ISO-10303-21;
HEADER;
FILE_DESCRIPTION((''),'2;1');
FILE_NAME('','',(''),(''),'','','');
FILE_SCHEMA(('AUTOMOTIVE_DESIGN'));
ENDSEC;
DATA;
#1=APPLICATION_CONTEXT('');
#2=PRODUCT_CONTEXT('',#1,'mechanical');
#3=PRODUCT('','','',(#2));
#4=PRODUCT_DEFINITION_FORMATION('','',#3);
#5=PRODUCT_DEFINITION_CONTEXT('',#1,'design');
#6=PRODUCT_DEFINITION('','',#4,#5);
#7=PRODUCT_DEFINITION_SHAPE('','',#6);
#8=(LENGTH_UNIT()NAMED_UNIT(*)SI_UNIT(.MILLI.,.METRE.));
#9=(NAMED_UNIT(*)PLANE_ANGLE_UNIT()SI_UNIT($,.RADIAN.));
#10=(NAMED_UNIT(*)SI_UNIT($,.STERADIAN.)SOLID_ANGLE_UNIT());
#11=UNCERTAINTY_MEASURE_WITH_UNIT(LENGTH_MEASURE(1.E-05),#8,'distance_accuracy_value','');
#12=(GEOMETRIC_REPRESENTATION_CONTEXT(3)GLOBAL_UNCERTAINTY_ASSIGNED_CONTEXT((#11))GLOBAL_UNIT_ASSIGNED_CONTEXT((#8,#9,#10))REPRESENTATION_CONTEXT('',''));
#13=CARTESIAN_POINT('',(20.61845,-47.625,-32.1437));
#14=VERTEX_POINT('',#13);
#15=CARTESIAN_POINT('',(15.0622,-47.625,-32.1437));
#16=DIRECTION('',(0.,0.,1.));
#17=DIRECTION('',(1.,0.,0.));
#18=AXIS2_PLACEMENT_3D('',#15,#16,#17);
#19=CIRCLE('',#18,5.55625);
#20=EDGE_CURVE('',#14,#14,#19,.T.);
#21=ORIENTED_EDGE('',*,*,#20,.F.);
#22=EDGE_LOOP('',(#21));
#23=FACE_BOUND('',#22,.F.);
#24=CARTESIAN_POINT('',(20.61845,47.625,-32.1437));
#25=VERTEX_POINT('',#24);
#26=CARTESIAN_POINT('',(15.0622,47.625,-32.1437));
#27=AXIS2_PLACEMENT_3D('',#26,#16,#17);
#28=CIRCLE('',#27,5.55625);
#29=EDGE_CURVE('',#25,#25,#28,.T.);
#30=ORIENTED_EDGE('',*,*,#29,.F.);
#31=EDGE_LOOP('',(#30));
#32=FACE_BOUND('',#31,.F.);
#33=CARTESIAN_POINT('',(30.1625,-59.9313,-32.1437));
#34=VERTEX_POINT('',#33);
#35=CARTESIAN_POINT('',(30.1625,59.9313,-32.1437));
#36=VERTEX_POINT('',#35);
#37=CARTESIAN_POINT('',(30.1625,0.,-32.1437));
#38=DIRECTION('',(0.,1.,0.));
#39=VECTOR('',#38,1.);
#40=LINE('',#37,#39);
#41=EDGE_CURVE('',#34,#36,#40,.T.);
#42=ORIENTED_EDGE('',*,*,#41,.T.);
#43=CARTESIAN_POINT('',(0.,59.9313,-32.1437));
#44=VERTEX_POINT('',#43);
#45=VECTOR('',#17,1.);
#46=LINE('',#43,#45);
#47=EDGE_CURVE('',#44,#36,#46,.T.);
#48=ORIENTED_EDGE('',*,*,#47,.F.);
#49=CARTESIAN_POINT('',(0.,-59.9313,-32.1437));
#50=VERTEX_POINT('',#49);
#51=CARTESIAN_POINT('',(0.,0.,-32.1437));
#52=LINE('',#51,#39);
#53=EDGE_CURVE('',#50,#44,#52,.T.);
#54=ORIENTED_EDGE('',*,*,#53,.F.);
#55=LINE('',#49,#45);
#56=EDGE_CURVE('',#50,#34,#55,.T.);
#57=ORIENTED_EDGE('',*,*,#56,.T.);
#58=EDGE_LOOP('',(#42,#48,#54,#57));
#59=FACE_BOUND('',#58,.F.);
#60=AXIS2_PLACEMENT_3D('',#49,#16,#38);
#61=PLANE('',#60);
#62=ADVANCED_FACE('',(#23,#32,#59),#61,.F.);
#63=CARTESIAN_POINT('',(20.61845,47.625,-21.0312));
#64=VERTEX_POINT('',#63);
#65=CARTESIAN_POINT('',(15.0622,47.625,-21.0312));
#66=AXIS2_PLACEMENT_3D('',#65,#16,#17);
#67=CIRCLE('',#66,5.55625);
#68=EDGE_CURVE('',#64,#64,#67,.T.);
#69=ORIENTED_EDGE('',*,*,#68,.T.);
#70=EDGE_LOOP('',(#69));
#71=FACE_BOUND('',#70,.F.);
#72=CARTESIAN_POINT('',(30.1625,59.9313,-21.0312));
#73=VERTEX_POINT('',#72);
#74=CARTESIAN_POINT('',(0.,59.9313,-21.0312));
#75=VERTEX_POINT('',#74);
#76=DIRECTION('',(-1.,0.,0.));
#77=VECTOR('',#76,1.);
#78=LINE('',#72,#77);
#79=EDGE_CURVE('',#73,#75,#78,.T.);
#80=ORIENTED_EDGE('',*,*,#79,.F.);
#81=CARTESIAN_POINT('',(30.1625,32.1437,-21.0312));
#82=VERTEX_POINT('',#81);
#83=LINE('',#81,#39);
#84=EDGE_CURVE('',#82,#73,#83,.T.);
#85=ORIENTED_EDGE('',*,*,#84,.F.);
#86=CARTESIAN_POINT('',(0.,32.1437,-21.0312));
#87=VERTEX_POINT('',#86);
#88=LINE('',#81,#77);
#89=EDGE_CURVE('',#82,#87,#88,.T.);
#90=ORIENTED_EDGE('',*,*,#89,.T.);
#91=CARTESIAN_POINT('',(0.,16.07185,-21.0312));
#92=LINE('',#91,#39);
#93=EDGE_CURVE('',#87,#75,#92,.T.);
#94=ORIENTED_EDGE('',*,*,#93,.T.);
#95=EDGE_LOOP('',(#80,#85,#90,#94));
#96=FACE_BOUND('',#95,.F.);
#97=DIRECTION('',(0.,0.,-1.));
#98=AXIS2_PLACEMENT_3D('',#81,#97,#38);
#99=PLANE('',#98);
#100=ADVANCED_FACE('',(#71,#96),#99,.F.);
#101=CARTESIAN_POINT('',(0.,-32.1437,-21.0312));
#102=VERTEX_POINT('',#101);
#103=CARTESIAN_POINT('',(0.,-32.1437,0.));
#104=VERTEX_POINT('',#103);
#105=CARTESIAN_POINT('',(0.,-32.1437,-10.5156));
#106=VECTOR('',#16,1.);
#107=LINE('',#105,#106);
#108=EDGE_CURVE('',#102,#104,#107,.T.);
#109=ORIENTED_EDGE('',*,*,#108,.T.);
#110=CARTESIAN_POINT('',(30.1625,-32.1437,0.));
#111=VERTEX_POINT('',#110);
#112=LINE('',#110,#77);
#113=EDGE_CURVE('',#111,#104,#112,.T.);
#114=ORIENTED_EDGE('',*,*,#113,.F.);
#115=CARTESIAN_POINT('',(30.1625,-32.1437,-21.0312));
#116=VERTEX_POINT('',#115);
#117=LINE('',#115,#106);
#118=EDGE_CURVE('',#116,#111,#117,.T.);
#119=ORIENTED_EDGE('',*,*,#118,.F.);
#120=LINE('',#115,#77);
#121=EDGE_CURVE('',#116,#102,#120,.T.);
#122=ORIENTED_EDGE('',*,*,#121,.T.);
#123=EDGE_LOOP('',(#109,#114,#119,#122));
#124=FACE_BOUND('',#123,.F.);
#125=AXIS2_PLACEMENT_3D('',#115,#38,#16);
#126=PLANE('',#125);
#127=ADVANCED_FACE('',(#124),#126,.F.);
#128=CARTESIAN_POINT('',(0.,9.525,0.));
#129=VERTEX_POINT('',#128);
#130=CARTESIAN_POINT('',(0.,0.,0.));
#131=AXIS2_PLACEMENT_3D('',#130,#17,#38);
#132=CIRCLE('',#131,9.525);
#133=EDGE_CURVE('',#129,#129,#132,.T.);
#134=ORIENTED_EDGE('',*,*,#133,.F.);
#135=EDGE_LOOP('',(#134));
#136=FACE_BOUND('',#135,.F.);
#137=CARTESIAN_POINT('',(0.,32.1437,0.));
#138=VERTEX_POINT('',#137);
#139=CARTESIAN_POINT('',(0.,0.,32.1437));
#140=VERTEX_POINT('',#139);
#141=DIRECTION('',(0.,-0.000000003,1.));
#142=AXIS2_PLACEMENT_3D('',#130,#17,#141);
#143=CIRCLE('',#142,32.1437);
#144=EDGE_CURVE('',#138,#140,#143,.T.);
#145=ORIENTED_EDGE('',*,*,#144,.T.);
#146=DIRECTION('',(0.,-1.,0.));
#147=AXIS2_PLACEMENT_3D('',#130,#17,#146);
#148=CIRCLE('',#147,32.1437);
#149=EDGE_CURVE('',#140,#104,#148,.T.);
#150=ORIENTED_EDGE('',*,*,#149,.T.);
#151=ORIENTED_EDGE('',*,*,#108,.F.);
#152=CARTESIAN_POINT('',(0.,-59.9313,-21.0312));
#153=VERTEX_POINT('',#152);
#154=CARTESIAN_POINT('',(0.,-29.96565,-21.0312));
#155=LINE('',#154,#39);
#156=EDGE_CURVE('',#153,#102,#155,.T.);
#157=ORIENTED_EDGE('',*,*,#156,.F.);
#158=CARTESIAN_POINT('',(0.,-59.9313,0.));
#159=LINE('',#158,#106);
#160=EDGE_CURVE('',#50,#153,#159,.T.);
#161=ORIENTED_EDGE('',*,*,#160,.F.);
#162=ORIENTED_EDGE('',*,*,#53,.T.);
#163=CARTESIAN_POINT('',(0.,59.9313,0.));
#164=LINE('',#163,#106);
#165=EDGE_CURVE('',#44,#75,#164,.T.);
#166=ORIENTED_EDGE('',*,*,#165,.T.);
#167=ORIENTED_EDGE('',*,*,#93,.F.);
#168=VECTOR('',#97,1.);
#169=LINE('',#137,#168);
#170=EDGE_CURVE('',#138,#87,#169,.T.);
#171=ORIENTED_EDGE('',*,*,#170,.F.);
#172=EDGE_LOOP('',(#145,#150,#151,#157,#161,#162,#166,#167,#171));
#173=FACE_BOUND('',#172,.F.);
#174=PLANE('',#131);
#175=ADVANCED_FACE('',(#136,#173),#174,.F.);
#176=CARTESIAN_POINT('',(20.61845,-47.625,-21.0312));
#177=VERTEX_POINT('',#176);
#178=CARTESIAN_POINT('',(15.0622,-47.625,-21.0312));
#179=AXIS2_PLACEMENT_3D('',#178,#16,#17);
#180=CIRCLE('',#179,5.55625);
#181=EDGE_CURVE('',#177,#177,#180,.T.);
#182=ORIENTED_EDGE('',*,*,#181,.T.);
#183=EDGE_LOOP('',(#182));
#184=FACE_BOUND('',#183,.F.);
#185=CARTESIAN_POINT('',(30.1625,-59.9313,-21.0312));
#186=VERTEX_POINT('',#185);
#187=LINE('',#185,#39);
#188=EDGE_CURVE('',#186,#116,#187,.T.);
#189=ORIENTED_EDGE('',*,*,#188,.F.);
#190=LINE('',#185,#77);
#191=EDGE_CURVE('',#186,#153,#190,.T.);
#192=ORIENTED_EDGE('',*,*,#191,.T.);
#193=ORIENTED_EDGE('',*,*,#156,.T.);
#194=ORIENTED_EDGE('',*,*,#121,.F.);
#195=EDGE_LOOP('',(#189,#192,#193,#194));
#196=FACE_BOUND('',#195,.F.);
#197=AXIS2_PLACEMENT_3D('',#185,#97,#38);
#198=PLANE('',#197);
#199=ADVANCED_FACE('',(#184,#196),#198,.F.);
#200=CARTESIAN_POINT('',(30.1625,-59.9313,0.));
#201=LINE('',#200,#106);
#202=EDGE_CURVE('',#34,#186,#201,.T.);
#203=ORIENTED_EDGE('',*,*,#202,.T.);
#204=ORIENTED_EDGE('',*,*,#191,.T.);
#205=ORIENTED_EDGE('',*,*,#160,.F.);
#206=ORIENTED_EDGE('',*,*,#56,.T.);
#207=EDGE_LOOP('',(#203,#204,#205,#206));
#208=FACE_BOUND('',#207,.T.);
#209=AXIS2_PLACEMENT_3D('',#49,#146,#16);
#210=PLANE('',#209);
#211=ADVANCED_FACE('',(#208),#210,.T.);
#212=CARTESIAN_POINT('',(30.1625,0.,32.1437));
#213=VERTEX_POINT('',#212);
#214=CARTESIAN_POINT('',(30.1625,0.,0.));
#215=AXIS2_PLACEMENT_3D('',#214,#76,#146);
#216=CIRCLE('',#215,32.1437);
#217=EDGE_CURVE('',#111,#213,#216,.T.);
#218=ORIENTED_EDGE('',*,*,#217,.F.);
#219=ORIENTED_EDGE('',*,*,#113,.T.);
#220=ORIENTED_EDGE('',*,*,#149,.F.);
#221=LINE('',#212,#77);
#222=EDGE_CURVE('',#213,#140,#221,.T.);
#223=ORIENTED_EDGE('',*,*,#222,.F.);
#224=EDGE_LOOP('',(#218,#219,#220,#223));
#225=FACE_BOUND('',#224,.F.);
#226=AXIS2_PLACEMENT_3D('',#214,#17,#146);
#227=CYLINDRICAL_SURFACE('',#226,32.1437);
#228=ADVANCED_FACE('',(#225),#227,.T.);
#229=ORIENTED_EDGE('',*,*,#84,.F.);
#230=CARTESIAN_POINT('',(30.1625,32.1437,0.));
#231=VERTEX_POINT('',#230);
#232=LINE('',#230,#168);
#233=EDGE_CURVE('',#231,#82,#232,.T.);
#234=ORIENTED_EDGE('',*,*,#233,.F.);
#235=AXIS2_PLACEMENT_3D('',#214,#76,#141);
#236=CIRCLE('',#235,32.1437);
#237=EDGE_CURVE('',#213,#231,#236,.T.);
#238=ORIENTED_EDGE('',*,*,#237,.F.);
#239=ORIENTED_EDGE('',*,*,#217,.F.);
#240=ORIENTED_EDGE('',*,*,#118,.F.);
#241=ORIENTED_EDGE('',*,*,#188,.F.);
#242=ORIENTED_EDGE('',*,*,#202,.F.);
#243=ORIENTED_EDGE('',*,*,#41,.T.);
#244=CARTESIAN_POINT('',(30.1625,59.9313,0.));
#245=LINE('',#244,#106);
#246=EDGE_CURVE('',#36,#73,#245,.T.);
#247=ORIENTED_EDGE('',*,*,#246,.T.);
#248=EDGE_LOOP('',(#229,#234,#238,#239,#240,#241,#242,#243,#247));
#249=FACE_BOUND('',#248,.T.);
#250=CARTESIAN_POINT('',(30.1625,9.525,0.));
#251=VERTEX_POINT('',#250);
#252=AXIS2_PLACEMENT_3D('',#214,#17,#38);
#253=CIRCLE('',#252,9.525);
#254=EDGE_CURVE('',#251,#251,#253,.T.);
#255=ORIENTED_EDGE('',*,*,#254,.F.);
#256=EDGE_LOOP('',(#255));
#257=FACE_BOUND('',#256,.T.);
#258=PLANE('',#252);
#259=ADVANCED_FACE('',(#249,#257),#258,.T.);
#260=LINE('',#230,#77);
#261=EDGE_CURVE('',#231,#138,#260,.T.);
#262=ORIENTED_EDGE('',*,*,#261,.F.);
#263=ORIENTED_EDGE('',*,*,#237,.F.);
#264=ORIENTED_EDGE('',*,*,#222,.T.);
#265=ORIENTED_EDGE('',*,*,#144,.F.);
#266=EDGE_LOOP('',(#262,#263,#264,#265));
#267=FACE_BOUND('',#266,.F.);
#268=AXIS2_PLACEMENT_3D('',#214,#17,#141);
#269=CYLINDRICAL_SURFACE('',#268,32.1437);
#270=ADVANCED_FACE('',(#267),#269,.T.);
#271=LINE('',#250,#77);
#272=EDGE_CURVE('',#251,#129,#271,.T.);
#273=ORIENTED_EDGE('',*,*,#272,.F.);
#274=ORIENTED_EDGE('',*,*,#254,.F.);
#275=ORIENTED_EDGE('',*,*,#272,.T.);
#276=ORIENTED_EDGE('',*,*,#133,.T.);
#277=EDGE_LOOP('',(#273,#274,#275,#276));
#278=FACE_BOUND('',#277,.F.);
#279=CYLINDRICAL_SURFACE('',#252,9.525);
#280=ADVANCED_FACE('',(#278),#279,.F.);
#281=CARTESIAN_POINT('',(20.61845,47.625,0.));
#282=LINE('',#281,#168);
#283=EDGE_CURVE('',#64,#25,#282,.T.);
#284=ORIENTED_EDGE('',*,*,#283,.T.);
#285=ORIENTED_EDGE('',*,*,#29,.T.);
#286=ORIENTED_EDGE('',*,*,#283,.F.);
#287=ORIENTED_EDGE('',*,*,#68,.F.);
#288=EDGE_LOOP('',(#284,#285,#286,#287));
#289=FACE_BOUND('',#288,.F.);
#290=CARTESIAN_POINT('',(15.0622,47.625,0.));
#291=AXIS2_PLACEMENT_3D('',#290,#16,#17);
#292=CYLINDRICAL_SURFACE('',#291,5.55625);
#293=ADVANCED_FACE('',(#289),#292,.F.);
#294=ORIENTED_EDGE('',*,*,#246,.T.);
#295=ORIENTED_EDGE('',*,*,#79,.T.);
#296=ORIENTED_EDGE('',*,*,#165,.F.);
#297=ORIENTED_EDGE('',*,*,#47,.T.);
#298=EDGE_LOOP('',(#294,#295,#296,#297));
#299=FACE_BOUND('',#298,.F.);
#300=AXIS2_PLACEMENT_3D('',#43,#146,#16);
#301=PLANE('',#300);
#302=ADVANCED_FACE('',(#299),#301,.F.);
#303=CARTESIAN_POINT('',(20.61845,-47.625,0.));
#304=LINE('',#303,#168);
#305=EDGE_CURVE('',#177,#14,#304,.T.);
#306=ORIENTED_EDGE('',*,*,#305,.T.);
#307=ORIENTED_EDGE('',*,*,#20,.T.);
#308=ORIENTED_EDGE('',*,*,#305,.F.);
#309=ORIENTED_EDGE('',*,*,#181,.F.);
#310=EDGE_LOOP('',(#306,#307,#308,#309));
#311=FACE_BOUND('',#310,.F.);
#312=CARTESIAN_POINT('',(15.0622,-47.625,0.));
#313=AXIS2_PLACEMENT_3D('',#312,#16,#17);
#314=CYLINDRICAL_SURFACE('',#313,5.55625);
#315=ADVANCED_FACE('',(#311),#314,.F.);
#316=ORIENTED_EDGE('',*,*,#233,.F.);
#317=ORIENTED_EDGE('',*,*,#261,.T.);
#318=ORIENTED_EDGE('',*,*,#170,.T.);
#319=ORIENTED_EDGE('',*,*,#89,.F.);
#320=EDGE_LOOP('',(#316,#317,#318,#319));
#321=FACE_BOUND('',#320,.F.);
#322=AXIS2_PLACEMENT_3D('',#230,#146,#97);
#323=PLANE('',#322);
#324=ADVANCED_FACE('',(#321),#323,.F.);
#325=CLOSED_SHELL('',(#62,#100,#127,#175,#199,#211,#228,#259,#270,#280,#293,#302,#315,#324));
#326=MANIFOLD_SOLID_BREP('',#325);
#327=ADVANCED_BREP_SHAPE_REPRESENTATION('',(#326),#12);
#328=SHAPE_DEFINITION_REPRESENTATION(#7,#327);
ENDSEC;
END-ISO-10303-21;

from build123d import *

# Parameters (mm, degrees)
F0_W      = 119.8626
F0_H      = 64.2874
F1_DEPTH  = 30.1625
F2_R      = 9.525
F3_DEPTH  = 30.1635
F7_DEPTH  = 30.1635
F8_DEPTH  = 30.1635
F9_R      = 5.55625
F10_DEPTH = 32.1447


with BuildPart() as f1:
    # F0 (on Right) → F1 (new body)
    with BuildSketch(Plane.YZ):
        Rectangle(F0_W, F0_H)
    extrude(amount=F1_DEPTH)

    # F2 (on face) → F3 (cut, through all)
    with BuildSketch(Plane.YZ.offset(30.1625)):
        Circle(F2_R)
    extrude(amount=-F3_DEPTH, mode=Mode.SUBTRACT)

    # F5 (on face) → F7 (cut, through all)
    with BuildSketch(Plane.YZ.offset(30.1625)):
        with BuildLine():
            ThreePointArc((-32.1437, 0), (-22.72902828, 22.7290282049), (-1.062e-07, 32.1437))
            Line((-1.062e-07, 32.1437), (-59.9313, 32.1437))
            Line((-59.9313, 32.1437), (-59.9313, -21.0312))
            Line((-59.9313, -21.0312), (-32.1437, -21.0312))
            Line((-32.1437, -21.0312), (-32.1437, 0))
        make_face()
    extrude(amount=-F7_DEPTH, mode=Mode.SUBTRACT)

    # F6 (on face) → F8 (cut, through all)
    with BuildSketch(Plane.YZ.offset(30.1625)):
        with BuildLine():
            Line((59.9313, 32.1437), (-1.062e-07, 32.1437))
            ThreePointArc((-1.062e-07, 32.1437), (22.7290282049, 22.72902828), (32.1437, 0))
            Line((32.1437, 0), (32.1437, -21.0312))
            Line((32.1437, -21.0312), (59.9313, -21.0312))
            Line((59.9313, -21.0312), (59.9313, 32.1437))
        make_face()
    extrude(amount=-F8_DEPTH, mode=Mode.SUBTRACT)

    # F9 (on Top) → F10 (cut, through all)
    with BuildSketch(Plane.XY):
        with Locations((15.0622, -47.625)):
            Circle(F9_R)
        with Locations((15.0622, 47.625)):
            Circle(F9_R)
    extrude(amount=-F10_DEPTH, mode=Mode.SUBTRACT)


solid = f1.part
